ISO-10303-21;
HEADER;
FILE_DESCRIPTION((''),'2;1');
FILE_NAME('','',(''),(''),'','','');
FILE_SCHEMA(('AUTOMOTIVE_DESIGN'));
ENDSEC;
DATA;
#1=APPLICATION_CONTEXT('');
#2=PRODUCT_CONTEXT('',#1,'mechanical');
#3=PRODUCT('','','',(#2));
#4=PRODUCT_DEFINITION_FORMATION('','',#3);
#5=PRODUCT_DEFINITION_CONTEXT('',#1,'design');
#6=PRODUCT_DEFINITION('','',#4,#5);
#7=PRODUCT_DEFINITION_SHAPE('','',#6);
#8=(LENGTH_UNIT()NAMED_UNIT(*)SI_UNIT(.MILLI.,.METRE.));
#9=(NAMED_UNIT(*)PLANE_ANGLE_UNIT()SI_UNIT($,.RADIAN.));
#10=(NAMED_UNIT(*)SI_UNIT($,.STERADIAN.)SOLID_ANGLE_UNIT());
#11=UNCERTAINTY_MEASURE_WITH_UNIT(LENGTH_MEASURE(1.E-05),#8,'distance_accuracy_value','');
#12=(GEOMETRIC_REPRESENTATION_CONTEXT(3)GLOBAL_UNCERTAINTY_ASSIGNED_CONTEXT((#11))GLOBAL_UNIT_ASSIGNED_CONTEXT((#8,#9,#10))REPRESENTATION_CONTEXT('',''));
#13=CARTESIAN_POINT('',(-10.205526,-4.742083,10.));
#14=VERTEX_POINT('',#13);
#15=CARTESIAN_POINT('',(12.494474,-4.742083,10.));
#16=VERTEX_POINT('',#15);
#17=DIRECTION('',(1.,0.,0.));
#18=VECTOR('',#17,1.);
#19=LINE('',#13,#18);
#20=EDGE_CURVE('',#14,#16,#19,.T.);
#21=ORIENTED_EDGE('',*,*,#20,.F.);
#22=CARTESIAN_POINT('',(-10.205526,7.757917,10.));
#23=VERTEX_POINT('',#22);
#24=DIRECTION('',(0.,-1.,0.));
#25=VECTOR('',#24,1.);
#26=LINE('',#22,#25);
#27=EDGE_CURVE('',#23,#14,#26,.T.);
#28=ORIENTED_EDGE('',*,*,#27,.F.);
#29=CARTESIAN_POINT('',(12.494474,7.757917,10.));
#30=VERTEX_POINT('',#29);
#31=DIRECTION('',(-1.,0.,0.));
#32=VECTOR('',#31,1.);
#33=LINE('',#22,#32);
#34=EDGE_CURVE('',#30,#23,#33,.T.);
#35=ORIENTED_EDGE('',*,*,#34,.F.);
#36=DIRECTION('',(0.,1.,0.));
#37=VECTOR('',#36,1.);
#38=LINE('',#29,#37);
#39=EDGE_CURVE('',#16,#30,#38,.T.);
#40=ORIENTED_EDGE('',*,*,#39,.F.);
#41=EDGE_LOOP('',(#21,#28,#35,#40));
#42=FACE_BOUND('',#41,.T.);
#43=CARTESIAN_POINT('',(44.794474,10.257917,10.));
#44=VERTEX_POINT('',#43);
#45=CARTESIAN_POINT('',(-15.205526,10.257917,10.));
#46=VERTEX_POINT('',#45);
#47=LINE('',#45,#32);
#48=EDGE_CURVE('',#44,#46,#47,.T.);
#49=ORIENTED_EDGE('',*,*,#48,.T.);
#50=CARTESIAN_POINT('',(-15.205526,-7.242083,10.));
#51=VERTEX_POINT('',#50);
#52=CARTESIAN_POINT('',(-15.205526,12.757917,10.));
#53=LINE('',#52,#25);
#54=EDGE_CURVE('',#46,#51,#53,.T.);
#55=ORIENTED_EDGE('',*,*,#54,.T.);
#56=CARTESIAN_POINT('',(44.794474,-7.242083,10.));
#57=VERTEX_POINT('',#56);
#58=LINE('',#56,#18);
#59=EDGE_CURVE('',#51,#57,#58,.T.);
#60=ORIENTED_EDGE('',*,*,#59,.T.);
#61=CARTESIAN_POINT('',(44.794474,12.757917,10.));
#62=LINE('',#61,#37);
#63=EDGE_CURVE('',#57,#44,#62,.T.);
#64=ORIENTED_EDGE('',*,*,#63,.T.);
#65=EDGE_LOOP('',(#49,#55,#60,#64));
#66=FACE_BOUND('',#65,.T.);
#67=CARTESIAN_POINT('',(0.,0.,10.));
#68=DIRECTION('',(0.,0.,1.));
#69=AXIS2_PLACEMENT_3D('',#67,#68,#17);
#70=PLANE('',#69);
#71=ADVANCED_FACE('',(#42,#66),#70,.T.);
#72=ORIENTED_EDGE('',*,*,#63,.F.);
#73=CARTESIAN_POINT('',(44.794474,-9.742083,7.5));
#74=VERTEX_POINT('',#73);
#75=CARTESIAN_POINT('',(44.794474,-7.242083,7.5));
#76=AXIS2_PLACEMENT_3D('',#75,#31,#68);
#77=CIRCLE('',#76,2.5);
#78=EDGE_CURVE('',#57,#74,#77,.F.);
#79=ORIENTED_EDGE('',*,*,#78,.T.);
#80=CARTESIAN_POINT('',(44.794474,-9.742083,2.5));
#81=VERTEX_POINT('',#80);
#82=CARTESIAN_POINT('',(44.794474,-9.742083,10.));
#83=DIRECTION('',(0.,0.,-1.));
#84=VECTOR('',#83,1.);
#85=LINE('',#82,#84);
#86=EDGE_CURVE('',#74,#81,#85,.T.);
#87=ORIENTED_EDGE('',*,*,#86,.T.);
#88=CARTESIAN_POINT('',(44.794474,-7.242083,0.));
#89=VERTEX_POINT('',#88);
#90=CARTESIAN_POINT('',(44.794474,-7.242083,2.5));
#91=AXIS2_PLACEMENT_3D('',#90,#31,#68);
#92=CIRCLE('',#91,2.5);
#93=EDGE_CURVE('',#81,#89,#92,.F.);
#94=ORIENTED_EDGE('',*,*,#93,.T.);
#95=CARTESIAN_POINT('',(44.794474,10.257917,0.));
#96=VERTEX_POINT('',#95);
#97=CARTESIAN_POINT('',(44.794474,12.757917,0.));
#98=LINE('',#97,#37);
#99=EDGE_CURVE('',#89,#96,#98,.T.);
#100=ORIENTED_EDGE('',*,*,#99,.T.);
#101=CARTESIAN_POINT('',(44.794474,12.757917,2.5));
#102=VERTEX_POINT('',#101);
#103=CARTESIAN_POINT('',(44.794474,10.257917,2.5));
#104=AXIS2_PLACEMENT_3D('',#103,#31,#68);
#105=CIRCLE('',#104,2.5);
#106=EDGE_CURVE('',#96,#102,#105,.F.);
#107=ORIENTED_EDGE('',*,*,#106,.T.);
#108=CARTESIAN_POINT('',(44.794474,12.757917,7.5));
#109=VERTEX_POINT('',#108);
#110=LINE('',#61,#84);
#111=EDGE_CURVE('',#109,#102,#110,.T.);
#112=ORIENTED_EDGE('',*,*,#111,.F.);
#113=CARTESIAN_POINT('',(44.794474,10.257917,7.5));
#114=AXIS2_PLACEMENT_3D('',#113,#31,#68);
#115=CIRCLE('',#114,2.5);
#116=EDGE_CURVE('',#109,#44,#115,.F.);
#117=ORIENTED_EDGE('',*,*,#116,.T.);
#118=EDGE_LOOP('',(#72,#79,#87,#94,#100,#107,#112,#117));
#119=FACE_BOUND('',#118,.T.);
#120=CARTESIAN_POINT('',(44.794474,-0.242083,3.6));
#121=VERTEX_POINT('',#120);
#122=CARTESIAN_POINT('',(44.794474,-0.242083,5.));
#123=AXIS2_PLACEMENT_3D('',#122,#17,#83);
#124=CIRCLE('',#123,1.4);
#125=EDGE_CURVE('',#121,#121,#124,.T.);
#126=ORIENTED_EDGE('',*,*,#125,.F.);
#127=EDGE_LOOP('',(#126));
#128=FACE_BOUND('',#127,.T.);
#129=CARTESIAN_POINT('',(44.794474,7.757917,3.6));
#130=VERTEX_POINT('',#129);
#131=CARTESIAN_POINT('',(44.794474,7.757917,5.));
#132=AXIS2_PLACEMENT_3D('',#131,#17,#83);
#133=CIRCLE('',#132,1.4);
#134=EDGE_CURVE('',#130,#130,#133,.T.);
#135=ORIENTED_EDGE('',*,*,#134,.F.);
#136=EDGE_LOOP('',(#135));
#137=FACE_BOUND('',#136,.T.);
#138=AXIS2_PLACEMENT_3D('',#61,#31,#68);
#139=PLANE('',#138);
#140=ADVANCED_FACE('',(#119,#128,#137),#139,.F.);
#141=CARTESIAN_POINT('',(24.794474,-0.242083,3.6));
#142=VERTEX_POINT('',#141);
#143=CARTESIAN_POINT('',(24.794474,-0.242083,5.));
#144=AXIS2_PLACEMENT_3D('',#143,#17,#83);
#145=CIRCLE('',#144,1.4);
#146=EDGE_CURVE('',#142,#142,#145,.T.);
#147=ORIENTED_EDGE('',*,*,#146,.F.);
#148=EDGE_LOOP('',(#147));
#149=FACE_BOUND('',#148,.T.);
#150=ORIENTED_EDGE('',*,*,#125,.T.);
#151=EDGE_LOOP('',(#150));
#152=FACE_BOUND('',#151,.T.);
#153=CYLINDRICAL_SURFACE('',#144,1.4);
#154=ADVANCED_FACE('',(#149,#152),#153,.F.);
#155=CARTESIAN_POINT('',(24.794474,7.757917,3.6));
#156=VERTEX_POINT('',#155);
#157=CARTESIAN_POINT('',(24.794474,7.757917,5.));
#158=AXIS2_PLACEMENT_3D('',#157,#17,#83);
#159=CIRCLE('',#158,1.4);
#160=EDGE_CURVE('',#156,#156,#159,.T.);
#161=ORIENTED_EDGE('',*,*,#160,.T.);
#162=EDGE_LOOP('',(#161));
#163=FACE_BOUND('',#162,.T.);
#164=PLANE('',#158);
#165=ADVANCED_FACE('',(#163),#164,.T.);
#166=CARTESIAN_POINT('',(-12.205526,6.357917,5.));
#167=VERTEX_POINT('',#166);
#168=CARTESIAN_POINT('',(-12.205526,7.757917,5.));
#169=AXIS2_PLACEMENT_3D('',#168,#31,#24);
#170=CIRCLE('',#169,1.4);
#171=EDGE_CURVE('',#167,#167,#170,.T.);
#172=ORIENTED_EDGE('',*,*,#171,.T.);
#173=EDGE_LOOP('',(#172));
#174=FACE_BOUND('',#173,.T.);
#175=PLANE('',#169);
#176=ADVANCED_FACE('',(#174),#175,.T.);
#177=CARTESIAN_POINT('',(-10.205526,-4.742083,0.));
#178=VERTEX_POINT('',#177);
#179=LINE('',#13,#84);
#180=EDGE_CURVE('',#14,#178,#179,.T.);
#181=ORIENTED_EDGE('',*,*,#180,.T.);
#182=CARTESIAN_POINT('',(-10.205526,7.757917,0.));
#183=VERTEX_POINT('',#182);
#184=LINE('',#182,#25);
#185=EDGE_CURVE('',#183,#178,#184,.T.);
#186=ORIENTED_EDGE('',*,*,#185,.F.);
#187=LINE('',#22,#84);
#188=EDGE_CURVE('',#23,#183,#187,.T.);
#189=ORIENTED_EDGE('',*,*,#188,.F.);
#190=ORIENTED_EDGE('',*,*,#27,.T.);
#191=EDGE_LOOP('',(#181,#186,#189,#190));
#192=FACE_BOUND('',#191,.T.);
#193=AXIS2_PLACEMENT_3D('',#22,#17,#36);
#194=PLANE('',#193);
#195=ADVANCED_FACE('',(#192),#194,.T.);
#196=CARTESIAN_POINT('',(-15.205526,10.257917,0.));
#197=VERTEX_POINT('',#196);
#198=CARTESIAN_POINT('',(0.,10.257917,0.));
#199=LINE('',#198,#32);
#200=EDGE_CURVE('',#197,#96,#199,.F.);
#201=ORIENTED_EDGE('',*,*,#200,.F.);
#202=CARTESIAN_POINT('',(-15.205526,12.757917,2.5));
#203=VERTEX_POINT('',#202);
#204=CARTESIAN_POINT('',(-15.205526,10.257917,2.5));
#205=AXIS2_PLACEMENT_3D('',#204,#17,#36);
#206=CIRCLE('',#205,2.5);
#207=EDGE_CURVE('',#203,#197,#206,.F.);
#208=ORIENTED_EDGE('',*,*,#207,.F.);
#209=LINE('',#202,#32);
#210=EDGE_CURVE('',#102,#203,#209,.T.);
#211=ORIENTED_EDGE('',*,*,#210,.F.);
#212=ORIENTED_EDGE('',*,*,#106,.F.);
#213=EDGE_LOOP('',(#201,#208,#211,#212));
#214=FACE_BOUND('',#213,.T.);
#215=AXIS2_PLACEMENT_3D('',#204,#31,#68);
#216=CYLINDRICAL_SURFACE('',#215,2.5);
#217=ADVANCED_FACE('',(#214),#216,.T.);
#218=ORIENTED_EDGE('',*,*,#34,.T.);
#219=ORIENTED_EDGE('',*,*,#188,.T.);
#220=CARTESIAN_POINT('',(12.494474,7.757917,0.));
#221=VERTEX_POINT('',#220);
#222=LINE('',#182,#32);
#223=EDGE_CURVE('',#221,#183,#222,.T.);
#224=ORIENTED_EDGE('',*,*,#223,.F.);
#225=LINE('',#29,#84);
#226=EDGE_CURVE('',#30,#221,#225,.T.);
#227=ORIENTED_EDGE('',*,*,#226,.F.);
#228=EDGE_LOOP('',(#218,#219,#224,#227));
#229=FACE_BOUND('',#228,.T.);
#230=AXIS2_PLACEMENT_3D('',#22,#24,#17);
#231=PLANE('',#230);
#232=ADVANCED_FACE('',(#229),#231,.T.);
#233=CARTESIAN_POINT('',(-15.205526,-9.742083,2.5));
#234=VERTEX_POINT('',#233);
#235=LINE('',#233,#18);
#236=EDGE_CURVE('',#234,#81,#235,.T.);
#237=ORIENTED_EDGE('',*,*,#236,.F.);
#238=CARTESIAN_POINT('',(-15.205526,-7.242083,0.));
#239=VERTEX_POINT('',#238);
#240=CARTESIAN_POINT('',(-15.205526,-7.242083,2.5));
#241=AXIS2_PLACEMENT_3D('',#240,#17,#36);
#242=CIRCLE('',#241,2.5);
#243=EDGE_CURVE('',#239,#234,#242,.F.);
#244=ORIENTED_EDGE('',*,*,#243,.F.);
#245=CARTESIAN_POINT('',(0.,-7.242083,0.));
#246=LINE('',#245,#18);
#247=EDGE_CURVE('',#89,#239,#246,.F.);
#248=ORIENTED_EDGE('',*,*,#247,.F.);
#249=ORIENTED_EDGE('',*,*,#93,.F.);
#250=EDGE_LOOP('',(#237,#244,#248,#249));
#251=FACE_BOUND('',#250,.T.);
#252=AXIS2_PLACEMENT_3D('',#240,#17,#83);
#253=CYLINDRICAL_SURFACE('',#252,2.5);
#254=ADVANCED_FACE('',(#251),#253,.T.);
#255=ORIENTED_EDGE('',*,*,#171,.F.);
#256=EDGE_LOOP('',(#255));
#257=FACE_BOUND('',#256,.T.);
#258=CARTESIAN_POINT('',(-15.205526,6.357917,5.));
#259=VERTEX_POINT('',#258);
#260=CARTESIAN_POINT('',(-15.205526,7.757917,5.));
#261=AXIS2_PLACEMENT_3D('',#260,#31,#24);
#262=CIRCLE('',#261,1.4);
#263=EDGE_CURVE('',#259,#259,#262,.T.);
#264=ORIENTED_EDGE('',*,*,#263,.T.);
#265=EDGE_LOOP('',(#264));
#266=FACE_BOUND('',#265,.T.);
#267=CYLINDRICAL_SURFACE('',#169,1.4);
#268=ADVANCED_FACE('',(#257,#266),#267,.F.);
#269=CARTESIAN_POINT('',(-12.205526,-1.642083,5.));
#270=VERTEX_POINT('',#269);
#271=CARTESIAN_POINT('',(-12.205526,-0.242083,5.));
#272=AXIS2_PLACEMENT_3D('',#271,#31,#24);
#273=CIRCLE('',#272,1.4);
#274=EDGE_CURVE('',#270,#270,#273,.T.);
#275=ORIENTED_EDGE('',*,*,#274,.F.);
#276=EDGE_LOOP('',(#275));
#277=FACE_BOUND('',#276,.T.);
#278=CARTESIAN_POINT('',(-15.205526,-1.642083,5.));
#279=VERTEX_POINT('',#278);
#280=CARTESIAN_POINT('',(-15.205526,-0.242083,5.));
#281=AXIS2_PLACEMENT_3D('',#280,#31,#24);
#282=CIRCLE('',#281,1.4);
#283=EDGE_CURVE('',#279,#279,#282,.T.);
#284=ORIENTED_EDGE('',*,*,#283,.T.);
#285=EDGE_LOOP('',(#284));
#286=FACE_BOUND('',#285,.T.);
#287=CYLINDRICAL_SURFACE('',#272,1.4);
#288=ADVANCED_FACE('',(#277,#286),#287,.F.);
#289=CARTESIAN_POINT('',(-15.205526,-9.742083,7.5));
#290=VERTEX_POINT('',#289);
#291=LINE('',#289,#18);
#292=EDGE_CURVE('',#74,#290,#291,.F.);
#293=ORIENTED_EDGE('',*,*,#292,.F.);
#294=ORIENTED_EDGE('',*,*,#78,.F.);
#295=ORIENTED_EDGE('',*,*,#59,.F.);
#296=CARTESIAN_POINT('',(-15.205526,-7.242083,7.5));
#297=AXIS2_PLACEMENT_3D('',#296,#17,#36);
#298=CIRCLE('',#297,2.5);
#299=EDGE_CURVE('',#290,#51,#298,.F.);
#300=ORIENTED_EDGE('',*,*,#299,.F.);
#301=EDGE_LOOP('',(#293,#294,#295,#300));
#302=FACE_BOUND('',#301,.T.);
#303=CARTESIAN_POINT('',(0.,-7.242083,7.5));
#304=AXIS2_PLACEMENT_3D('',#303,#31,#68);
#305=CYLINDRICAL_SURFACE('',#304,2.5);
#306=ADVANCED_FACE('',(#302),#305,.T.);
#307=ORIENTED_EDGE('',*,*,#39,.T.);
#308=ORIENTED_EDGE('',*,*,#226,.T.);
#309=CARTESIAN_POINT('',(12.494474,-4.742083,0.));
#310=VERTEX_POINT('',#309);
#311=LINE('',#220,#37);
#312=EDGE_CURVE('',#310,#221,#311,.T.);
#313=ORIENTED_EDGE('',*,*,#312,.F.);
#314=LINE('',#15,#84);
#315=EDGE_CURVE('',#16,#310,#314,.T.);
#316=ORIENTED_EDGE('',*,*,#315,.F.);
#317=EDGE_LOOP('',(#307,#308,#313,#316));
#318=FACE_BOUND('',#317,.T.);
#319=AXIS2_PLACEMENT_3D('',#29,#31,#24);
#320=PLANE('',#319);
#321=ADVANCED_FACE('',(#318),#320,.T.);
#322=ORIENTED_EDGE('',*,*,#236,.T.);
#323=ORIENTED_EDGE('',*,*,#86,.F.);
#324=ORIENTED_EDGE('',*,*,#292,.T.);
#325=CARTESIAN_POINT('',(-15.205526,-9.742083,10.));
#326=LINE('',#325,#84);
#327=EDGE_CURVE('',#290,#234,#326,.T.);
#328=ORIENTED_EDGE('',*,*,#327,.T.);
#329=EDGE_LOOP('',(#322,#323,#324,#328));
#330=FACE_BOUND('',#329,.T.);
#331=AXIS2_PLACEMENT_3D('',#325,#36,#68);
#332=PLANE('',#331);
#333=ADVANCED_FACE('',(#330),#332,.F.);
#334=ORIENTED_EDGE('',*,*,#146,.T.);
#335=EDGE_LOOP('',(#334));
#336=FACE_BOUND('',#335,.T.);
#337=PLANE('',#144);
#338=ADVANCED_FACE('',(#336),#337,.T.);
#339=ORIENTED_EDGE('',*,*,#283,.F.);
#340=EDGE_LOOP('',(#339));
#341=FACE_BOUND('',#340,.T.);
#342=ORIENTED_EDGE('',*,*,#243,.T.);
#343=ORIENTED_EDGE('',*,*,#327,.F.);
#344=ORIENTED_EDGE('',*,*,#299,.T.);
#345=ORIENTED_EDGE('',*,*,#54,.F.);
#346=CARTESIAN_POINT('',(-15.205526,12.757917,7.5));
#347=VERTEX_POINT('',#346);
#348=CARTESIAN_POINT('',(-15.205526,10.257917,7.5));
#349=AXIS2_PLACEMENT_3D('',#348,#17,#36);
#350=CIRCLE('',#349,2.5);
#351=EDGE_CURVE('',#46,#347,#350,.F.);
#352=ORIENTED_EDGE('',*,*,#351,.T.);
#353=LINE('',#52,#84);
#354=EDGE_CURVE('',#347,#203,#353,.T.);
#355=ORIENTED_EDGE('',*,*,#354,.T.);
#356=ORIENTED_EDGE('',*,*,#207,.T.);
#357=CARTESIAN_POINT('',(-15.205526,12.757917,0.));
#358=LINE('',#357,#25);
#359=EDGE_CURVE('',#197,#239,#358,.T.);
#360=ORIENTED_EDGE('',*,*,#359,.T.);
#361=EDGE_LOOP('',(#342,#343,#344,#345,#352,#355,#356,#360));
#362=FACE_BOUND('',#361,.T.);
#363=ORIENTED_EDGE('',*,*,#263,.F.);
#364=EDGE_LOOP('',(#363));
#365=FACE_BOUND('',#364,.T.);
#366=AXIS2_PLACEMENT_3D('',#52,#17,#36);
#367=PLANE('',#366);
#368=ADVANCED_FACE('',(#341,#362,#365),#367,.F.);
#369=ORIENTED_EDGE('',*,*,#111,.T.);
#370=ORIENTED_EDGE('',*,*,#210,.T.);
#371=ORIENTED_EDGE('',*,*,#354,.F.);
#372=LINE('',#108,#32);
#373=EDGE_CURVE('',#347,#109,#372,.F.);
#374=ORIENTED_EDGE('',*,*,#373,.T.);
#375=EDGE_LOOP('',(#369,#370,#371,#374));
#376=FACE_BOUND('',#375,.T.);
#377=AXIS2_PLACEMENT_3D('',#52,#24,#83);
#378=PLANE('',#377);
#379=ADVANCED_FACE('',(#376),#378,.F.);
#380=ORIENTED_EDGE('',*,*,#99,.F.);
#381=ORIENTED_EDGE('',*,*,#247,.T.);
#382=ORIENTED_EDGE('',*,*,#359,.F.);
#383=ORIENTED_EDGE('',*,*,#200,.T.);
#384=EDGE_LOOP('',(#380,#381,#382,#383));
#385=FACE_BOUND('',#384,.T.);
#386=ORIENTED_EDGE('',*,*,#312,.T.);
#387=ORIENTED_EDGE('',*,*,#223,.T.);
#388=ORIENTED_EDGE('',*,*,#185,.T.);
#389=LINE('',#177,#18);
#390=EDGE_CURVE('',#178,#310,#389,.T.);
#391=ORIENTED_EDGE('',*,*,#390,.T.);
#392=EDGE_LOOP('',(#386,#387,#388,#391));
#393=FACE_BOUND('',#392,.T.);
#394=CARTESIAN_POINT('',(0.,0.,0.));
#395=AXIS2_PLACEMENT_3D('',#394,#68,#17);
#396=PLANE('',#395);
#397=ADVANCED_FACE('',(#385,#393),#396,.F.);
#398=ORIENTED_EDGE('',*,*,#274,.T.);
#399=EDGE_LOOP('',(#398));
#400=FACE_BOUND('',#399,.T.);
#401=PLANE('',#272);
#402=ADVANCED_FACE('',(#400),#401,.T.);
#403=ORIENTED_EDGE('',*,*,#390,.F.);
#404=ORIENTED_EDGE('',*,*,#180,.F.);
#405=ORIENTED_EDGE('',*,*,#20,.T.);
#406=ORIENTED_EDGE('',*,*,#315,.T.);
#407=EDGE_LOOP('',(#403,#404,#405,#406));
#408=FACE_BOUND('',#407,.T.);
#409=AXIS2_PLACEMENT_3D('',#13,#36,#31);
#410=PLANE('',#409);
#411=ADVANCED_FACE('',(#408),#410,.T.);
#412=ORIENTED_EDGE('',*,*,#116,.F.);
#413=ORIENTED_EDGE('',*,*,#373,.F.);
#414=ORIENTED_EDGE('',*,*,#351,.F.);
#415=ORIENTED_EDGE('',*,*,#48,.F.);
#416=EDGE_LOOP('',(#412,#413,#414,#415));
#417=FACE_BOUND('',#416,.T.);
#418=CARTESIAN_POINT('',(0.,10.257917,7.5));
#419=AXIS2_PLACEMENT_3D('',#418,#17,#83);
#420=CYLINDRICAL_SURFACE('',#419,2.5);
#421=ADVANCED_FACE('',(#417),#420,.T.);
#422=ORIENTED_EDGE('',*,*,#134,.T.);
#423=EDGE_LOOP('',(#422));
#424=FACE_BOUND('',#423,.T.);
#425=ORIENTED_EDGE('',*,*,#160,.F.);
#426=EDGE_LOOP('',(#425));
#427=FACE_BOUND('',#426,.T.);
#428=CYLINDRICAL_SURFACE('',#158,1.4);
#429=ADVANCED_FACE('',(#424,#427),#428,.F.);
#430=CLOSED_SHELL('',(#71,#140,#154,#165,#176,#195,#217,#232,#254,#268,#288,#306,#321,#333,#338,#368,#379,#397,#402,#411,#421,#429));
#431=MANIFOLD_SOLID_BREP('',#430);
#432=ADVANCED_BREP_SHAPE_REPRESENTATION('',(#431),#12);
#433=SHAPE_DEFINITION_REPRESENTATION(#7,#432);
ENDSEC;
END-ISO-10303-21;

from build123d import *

# Parameters (mm, degrees)
ESBO_O1_W                = 60
ESBO_O1_H                = 22.5
ESBO_O1_W_2              = 22.7
ESBO_O1_H_2              = 12.5
RESSALTO_EXTRUS_O1_DEPTH = 10
ESBO_O3_R                = 1.4
CORTE_EXTRUS_O2_DEPTH    = 20
ESBO_O4_R                = 1.4
CORTE_EXTRUS_O3_DEPTH    = 3
FILETE1_R                = 2.5


with BuildPart() as part:
    # Esboço1 → Ressalto-extrusão1 (new body)
    with BuildSketch(Plane.XY):
        with Locations((14.794474124, 1.507916667)):
            Rectangle(ESBO_O1_W, ESBO_O1_H)
        with Locations((1.144474124, 1.507916667)):
            Rectangle(ESBO_O1_W_2, ESBO_O1_H_2, mode=Mode.SUBTRACT)
    extrude(amount=RESSALTO_EXTRUS_O1_DEPTH)

    # Esboço3 → Corte-extrusão2 (cut)
    with BuildSketch(Plane(origin=(44.794474124, 0, 0), x_dir=(0, 0, -1), z_dir=(1, 0, 0))):
        with Locations((-5, 7.757916667)):
            Circle(ESBO_O3_R)
        with Locations((-5, -0.242083333)):
            Circle(ESBO_O3_R)
    extrude(amount=-CORTE_EXTRUS_O2_DEPTH, mode=Mode.SUBTRACT)

    # Esboço4 → Corte-extrusão3 (cut)
    with BuildSketch(Plane.ZY.offset(15.205525876)):
        with Locations((5, 7.757916667)):
            Circle(ESBO_O4_R)
        with Locations((5, -0.242083333)):
            Circle(ESBO_O4_R)
    extrude(amount=-CORTE_EXTRUS_O3_DEPTH, mode=Mode.SUBTRACT)

    # Filete1
    filete1_edges = [part.edges().sort_by_distance(p)[0] for p in [
        (14.794474124, 12.757916667, 10),
        (14.794474124, 12.757916667, 0),
        (14.794474124, -9.742083333, 0),
        (14.794474124, -9.742083333, 10),
    ]]
    fillet(filete1_edges, radius=FILETE1_R)


solid = part.part
